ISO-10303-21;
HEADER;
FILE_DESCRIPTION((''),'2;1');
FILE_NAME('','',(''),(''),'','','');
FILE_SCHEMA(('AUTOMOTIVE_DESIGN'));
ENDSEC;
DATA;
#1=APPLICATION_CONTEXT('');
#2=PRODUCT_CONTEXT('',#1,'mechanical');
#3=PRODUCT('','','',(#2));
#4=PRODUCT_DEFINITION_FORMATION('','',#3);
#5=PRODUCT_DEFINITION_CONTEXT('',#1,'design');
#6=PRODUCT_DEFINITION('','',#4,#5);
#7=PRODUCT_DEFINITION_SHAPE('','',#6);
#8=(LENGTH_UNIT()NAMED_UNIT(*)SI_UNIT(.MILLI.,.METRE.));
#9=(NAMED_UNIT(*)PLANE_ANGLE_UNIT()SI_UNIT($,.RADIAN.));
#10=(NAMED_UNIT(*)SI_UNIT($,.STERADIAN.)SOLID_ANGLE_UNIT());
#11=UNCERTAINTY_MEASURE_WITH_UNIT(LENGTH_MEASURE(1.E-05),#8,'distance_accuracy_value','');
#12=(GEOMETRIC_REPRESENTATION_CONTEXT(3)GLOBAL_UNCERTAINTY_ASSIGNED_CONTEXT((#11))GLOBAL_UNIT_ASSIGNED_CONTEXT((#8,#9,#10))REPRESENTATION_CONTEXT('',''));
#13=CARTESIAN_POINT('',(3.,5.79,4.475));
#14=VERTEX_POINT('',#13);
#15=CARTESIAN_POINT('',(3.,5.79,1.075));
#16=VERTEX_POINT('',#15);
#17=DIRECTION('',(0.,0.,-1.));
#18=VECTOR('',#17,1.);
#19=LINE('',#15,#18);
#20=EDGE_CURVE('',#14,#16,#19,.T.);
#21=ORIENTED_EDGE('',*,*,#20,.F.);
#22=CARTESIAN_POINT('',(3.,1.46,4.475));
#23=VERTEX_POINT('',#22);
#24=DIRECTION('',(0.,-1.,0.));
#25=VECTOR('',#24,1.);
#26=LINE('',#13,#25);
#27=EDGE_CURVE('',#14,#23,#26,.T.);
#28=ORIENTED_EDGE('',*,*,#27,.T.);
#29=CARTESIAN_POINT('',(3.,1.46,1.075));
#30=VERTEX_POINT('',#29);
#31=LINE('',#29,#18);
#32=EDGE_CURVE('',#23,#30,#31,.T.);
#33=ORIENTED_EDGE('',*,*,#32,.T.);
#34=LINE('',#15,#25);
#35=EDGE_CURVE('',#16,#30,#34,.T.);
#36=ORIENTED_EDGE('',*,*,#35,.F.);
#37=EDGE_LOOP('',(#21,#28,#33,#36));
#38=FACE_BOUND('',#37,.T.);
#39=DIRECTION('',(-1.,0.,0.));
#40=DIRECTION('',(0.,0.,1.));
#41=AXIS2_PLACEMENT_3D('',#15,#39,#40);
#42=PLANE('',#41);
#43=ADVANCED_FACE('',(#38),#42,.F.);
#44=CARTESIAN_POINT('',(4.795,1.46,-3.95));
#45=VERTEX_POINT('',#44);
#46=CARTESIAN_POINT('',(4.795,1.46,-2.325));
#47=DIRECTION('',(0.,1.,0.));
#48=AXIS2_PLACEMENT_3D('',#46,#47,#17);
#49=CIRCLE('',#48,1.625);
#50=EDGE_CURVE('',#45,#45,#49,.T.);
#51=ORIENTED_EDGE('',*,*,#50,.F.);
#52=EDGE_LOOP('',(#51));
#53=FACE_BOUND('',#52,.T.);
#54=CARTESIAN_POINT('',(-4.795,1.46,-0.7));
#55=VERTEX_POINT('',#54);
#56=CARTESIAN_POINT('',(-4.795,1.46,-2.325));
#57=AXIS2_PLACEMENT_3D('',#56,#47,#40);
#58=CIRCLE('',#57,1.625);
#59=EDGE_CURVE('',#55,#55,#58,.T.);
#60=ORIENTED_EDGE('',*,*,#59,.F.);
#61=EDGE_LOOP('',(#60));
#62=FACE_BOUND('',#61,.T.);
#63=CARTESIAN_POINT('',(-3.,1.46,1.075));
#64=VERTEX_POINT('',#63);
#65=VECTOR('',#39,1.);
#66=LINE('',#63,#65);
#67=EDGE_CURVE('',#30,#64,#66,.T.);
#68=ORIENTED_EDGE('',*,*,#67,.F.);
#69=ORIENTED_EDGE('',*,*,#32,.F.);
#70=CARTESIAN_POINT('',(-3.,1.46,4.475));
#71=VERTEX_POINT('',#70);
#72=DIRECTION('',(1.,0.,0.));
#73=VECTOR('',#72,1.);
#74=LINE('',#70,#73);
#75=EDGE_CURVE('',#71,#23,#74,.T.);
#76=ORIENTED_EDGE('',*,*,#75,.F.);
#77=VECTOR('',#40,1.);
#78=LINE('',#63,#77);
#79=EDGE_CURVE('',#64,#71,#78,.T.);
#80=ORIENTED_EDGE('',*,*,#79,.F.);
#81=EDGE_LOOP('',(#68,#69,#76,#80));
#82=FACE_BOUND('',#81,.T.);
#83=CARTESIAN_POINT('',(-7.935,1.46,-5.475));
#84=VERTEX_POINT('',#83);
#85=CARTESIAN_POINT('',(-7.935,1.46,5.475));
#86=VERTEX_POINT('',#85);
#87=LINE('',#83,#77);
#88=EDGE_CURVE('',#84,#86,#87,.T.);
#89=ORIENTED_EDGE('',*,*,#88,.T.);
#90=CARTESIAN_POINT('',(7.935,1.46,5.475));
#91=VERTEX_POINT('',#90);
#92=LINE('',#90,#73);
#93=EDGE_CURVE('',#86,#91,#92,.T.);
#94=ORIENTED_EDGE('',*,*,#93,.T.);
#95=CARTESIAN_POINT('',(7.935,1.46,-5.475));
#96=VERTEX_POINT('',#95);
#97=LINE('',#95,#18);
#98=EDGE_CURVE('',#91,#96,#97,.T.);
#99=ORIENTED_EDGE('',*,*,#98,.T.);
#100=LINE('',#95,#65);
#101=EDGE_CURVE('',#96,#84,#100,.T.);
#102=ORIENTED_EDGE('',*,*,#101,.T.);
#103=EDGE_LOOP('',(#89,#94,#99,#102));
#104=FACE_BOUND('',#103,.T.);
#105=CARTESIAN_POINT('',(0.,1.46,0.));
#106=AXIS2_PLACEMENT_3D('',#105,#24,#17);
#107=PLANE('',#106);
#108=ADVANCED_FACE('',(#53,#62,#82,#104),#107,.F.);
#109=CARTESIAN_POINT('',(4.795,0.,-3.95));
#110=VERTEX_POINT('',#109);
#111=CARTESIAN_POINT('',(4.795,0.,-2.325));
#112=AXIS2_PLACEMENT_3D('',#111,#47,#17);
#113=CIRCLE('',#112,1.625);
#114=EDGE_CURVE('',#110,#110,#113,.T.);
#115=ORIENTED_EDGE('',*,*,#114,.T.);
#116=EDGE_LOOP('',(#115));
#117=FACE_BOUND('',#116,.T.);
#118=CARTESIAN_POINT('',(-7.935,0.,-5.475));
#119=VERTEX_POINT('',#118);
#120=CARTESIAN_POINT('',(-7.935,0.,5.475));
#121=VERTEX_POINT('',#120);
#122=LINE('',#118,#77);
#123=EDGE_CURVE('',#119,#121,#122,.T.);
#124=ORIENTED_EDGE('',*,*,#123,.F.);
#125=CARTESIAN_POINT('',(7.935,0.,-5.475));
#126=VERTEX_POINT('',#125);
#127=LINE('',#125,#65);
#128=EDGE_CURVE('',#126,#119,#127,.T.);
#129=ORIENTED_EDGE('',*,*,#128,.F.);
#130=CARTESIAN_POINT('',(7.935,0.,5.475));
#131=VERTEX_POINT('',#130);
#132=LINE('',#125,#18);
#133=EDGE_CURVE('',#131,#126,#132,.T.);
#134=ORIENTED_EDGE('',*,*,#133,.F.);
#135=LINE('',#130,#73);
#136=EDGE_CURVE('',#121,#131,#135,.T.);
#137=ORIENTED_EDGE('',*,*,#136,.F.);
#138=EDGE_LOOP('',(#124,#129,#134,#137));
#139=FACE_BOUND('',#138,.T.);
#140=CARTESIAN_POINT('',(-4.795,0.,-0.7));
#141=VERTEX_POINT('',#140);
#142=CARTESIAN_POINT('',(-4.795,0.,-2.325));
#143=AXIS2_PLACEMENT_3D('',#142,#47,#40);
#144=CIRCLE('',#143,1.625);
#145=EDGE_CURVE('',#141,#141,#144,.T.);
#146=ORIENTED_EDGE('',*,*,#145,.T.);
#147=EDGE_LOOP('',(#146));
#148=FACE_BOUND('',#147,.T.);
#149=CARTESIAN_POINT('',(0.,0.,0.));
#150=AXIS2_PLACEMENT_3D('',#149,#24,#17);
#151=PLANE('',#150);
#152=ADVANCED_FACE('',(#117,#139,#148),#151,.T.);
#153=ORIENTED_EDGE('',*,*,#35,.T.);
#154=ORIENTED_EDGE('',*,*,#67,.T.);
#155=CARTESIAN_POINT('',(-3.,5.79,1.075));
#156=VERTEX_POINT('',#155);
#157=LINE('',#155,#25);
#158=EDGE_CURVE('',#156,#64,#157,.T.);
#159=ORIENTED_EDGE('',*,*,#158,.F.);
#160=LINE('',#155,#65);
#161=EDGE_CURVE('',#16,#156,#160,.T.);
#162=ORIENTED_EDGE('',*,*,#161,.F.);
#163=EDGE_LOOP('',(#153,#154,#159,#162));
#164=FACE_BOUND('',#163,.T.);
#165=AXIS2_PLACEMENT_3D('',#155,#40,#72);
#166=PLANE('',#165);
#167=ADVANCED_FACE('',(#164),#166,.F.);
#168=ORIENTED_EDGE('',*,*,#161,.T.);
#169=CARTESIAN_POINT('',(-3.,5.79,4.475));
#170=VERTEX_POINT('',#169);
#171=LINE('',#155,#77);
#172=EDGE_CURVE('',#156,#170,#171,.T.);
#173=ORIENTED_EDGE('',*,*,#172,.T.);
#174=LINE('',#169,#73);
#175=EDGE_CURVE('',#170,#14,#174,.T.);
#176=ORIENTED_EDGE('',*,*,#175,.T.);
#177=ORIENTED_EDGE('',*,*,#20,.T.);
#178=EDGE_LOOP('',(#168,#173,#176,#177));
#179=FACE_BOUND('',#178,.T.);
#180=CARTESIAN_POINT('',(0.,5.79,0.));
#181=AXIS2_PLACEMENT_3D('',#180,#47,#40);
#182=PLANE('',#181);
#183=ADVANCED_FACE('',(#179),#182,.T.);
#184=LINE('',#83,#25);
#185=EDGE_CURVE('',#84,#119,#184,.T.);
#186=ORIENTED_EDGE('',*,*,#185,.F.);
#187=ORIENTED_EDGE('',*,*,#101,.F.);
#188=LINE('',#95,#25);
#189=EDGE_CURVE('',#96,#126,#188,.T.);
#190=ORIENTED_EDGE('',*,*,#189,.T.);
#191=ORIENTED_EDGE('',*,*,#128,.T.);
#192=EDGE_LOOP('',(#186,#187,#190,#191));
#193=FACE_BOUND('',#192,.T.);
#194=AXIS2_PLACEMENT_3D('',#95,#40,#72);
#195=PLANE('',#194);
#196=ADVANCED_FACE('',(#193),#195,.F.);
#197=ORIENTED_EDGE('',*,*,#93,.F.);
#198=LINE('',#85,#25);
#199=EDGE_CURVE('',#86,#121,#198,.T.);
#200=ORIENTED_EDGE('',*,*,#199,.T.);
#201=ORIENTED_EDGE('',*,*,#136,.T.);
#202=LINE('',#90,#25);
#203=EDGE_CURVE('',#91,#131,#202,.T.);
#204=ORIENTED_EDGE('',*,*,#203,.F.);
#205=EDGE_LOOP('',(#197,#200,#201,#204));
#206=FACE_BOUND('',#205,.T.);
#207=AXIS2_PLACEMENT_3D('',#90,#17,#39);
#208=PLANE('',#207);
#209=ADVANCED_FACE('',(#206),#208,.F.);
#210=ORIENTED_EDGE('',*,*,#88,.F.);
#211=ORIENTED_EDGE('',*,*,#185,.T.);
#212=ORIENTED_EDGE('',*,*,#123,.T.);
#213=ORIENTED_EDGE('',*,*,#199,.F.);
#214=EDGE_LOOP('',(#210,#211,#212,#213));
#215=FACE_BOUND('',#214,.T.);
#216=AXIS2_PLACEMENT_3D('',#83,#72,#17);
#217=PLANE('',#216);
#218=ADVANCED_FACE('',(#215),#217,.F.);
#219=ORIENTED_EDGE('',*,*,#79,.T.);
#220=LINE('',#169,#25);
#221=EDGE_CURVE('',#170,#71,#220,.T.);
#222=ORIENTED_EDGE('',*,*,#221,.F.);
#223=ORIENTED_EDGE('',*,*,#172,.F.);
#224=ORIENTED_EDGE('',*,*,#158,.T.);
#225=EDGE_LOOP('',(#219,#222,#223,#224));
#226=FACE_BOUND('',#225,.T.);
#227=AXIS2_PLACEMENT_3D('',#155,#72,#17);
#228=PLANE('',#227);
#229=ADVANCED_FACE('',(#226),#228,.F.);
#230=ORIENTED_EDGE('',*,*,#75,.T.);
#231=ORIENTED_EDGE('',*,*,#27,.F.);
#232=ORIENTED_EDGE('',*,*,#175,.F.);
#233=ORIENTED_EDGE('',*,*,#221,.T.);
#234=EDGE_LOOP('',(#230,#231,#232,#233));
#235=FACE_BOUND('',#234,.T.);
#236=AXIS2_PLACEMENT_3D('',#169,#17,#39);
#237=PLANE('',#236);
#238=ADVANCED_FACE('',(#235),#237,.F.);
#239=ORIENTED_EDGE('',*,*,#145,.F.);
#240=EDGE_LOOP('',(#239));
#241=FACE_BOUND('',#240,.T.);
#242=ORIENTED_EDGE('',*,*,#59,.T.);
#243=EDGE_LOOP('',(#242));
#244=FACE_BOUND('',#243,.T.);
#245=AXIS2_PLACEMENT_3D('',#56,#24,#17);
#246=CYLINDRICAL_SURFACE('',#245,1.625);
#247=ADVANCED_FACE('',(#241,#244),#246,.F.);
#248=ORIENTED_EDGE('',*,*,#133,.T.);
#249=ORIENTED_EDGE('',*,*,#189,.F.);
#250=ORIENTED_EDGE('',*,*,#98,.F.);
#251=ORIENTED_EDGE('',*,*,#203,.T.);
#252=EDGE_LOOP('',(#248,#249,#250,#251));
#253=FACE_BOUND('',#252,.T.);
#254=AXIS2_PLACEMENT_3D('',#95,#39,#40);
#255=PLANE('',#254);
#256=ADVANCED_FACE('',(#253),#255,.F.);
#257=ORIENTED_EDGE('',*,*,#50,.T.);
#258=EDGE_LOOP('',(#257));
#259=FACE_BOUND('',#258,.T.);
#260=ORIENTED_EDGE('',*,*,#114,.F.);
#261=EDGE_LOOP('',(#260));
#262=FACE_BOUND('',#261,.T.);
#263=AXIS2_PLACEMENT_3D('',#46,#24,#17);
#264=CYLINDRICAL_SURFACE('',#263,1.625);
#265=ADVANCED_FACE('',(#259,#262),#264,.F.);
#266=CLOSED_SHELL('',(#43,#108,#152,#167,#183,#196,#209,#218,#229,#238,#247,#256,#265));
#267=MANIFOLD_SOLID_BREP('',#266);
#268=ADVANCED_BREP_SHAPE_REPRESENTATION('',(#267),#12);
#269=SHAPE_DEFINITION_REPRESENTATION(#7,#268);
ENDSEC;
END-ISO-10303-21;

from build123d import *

# Parameters (mm, degrees)
SKETCH1_W           = 15.87
SKETCH1_H           = 10.95
SKETCH1_R           = 1.625
BOSS_EXTRUDE1_DEPTH = 1.46
SKETCH2_W           = 6
SKETCH2_H           = 3.4
BOSS_EXTRUDE2_DEPTH = 4.33


with BuildPart() as part:
    # Sketch1 → Boss-Extrude1 (new body)
    with BuildSketch(Plane(origin=(0, 0, 0), x_dir=(1, 0, 0), z_dir=(0, 1, 0))):
        Rectangle(SKETCH1_W, SKETCH1_H)
        with Locations(Location((-4.795, 2.325, 0), (0, 0, 270))):
            Circle(SKETCH1_R, mode=Mode.SUBTRACT)
        with Locations(Location((4.795, 2.325, 0), (0, 0, 90))):
            Circle(SKETCH1_R, mode=Mode.SUBTRACT)
    extrude(amount=BOSS_EXTRUDE1_DEPTH)

    # Sketch2 → Boss-Extrude2 (add)
    with BuildSketch(Plane(origin=(0, 1.46, 0), x_dir=(1, 0, 0), z_dir=(0, 1, 0))):
        with Locations((0, -2.775)):
            Rectangle(SKETCH2_W, SKETCH2_H)
    extrude(amount=BOSS_EXTRUDE2_DEPTH)


solid = part.part
